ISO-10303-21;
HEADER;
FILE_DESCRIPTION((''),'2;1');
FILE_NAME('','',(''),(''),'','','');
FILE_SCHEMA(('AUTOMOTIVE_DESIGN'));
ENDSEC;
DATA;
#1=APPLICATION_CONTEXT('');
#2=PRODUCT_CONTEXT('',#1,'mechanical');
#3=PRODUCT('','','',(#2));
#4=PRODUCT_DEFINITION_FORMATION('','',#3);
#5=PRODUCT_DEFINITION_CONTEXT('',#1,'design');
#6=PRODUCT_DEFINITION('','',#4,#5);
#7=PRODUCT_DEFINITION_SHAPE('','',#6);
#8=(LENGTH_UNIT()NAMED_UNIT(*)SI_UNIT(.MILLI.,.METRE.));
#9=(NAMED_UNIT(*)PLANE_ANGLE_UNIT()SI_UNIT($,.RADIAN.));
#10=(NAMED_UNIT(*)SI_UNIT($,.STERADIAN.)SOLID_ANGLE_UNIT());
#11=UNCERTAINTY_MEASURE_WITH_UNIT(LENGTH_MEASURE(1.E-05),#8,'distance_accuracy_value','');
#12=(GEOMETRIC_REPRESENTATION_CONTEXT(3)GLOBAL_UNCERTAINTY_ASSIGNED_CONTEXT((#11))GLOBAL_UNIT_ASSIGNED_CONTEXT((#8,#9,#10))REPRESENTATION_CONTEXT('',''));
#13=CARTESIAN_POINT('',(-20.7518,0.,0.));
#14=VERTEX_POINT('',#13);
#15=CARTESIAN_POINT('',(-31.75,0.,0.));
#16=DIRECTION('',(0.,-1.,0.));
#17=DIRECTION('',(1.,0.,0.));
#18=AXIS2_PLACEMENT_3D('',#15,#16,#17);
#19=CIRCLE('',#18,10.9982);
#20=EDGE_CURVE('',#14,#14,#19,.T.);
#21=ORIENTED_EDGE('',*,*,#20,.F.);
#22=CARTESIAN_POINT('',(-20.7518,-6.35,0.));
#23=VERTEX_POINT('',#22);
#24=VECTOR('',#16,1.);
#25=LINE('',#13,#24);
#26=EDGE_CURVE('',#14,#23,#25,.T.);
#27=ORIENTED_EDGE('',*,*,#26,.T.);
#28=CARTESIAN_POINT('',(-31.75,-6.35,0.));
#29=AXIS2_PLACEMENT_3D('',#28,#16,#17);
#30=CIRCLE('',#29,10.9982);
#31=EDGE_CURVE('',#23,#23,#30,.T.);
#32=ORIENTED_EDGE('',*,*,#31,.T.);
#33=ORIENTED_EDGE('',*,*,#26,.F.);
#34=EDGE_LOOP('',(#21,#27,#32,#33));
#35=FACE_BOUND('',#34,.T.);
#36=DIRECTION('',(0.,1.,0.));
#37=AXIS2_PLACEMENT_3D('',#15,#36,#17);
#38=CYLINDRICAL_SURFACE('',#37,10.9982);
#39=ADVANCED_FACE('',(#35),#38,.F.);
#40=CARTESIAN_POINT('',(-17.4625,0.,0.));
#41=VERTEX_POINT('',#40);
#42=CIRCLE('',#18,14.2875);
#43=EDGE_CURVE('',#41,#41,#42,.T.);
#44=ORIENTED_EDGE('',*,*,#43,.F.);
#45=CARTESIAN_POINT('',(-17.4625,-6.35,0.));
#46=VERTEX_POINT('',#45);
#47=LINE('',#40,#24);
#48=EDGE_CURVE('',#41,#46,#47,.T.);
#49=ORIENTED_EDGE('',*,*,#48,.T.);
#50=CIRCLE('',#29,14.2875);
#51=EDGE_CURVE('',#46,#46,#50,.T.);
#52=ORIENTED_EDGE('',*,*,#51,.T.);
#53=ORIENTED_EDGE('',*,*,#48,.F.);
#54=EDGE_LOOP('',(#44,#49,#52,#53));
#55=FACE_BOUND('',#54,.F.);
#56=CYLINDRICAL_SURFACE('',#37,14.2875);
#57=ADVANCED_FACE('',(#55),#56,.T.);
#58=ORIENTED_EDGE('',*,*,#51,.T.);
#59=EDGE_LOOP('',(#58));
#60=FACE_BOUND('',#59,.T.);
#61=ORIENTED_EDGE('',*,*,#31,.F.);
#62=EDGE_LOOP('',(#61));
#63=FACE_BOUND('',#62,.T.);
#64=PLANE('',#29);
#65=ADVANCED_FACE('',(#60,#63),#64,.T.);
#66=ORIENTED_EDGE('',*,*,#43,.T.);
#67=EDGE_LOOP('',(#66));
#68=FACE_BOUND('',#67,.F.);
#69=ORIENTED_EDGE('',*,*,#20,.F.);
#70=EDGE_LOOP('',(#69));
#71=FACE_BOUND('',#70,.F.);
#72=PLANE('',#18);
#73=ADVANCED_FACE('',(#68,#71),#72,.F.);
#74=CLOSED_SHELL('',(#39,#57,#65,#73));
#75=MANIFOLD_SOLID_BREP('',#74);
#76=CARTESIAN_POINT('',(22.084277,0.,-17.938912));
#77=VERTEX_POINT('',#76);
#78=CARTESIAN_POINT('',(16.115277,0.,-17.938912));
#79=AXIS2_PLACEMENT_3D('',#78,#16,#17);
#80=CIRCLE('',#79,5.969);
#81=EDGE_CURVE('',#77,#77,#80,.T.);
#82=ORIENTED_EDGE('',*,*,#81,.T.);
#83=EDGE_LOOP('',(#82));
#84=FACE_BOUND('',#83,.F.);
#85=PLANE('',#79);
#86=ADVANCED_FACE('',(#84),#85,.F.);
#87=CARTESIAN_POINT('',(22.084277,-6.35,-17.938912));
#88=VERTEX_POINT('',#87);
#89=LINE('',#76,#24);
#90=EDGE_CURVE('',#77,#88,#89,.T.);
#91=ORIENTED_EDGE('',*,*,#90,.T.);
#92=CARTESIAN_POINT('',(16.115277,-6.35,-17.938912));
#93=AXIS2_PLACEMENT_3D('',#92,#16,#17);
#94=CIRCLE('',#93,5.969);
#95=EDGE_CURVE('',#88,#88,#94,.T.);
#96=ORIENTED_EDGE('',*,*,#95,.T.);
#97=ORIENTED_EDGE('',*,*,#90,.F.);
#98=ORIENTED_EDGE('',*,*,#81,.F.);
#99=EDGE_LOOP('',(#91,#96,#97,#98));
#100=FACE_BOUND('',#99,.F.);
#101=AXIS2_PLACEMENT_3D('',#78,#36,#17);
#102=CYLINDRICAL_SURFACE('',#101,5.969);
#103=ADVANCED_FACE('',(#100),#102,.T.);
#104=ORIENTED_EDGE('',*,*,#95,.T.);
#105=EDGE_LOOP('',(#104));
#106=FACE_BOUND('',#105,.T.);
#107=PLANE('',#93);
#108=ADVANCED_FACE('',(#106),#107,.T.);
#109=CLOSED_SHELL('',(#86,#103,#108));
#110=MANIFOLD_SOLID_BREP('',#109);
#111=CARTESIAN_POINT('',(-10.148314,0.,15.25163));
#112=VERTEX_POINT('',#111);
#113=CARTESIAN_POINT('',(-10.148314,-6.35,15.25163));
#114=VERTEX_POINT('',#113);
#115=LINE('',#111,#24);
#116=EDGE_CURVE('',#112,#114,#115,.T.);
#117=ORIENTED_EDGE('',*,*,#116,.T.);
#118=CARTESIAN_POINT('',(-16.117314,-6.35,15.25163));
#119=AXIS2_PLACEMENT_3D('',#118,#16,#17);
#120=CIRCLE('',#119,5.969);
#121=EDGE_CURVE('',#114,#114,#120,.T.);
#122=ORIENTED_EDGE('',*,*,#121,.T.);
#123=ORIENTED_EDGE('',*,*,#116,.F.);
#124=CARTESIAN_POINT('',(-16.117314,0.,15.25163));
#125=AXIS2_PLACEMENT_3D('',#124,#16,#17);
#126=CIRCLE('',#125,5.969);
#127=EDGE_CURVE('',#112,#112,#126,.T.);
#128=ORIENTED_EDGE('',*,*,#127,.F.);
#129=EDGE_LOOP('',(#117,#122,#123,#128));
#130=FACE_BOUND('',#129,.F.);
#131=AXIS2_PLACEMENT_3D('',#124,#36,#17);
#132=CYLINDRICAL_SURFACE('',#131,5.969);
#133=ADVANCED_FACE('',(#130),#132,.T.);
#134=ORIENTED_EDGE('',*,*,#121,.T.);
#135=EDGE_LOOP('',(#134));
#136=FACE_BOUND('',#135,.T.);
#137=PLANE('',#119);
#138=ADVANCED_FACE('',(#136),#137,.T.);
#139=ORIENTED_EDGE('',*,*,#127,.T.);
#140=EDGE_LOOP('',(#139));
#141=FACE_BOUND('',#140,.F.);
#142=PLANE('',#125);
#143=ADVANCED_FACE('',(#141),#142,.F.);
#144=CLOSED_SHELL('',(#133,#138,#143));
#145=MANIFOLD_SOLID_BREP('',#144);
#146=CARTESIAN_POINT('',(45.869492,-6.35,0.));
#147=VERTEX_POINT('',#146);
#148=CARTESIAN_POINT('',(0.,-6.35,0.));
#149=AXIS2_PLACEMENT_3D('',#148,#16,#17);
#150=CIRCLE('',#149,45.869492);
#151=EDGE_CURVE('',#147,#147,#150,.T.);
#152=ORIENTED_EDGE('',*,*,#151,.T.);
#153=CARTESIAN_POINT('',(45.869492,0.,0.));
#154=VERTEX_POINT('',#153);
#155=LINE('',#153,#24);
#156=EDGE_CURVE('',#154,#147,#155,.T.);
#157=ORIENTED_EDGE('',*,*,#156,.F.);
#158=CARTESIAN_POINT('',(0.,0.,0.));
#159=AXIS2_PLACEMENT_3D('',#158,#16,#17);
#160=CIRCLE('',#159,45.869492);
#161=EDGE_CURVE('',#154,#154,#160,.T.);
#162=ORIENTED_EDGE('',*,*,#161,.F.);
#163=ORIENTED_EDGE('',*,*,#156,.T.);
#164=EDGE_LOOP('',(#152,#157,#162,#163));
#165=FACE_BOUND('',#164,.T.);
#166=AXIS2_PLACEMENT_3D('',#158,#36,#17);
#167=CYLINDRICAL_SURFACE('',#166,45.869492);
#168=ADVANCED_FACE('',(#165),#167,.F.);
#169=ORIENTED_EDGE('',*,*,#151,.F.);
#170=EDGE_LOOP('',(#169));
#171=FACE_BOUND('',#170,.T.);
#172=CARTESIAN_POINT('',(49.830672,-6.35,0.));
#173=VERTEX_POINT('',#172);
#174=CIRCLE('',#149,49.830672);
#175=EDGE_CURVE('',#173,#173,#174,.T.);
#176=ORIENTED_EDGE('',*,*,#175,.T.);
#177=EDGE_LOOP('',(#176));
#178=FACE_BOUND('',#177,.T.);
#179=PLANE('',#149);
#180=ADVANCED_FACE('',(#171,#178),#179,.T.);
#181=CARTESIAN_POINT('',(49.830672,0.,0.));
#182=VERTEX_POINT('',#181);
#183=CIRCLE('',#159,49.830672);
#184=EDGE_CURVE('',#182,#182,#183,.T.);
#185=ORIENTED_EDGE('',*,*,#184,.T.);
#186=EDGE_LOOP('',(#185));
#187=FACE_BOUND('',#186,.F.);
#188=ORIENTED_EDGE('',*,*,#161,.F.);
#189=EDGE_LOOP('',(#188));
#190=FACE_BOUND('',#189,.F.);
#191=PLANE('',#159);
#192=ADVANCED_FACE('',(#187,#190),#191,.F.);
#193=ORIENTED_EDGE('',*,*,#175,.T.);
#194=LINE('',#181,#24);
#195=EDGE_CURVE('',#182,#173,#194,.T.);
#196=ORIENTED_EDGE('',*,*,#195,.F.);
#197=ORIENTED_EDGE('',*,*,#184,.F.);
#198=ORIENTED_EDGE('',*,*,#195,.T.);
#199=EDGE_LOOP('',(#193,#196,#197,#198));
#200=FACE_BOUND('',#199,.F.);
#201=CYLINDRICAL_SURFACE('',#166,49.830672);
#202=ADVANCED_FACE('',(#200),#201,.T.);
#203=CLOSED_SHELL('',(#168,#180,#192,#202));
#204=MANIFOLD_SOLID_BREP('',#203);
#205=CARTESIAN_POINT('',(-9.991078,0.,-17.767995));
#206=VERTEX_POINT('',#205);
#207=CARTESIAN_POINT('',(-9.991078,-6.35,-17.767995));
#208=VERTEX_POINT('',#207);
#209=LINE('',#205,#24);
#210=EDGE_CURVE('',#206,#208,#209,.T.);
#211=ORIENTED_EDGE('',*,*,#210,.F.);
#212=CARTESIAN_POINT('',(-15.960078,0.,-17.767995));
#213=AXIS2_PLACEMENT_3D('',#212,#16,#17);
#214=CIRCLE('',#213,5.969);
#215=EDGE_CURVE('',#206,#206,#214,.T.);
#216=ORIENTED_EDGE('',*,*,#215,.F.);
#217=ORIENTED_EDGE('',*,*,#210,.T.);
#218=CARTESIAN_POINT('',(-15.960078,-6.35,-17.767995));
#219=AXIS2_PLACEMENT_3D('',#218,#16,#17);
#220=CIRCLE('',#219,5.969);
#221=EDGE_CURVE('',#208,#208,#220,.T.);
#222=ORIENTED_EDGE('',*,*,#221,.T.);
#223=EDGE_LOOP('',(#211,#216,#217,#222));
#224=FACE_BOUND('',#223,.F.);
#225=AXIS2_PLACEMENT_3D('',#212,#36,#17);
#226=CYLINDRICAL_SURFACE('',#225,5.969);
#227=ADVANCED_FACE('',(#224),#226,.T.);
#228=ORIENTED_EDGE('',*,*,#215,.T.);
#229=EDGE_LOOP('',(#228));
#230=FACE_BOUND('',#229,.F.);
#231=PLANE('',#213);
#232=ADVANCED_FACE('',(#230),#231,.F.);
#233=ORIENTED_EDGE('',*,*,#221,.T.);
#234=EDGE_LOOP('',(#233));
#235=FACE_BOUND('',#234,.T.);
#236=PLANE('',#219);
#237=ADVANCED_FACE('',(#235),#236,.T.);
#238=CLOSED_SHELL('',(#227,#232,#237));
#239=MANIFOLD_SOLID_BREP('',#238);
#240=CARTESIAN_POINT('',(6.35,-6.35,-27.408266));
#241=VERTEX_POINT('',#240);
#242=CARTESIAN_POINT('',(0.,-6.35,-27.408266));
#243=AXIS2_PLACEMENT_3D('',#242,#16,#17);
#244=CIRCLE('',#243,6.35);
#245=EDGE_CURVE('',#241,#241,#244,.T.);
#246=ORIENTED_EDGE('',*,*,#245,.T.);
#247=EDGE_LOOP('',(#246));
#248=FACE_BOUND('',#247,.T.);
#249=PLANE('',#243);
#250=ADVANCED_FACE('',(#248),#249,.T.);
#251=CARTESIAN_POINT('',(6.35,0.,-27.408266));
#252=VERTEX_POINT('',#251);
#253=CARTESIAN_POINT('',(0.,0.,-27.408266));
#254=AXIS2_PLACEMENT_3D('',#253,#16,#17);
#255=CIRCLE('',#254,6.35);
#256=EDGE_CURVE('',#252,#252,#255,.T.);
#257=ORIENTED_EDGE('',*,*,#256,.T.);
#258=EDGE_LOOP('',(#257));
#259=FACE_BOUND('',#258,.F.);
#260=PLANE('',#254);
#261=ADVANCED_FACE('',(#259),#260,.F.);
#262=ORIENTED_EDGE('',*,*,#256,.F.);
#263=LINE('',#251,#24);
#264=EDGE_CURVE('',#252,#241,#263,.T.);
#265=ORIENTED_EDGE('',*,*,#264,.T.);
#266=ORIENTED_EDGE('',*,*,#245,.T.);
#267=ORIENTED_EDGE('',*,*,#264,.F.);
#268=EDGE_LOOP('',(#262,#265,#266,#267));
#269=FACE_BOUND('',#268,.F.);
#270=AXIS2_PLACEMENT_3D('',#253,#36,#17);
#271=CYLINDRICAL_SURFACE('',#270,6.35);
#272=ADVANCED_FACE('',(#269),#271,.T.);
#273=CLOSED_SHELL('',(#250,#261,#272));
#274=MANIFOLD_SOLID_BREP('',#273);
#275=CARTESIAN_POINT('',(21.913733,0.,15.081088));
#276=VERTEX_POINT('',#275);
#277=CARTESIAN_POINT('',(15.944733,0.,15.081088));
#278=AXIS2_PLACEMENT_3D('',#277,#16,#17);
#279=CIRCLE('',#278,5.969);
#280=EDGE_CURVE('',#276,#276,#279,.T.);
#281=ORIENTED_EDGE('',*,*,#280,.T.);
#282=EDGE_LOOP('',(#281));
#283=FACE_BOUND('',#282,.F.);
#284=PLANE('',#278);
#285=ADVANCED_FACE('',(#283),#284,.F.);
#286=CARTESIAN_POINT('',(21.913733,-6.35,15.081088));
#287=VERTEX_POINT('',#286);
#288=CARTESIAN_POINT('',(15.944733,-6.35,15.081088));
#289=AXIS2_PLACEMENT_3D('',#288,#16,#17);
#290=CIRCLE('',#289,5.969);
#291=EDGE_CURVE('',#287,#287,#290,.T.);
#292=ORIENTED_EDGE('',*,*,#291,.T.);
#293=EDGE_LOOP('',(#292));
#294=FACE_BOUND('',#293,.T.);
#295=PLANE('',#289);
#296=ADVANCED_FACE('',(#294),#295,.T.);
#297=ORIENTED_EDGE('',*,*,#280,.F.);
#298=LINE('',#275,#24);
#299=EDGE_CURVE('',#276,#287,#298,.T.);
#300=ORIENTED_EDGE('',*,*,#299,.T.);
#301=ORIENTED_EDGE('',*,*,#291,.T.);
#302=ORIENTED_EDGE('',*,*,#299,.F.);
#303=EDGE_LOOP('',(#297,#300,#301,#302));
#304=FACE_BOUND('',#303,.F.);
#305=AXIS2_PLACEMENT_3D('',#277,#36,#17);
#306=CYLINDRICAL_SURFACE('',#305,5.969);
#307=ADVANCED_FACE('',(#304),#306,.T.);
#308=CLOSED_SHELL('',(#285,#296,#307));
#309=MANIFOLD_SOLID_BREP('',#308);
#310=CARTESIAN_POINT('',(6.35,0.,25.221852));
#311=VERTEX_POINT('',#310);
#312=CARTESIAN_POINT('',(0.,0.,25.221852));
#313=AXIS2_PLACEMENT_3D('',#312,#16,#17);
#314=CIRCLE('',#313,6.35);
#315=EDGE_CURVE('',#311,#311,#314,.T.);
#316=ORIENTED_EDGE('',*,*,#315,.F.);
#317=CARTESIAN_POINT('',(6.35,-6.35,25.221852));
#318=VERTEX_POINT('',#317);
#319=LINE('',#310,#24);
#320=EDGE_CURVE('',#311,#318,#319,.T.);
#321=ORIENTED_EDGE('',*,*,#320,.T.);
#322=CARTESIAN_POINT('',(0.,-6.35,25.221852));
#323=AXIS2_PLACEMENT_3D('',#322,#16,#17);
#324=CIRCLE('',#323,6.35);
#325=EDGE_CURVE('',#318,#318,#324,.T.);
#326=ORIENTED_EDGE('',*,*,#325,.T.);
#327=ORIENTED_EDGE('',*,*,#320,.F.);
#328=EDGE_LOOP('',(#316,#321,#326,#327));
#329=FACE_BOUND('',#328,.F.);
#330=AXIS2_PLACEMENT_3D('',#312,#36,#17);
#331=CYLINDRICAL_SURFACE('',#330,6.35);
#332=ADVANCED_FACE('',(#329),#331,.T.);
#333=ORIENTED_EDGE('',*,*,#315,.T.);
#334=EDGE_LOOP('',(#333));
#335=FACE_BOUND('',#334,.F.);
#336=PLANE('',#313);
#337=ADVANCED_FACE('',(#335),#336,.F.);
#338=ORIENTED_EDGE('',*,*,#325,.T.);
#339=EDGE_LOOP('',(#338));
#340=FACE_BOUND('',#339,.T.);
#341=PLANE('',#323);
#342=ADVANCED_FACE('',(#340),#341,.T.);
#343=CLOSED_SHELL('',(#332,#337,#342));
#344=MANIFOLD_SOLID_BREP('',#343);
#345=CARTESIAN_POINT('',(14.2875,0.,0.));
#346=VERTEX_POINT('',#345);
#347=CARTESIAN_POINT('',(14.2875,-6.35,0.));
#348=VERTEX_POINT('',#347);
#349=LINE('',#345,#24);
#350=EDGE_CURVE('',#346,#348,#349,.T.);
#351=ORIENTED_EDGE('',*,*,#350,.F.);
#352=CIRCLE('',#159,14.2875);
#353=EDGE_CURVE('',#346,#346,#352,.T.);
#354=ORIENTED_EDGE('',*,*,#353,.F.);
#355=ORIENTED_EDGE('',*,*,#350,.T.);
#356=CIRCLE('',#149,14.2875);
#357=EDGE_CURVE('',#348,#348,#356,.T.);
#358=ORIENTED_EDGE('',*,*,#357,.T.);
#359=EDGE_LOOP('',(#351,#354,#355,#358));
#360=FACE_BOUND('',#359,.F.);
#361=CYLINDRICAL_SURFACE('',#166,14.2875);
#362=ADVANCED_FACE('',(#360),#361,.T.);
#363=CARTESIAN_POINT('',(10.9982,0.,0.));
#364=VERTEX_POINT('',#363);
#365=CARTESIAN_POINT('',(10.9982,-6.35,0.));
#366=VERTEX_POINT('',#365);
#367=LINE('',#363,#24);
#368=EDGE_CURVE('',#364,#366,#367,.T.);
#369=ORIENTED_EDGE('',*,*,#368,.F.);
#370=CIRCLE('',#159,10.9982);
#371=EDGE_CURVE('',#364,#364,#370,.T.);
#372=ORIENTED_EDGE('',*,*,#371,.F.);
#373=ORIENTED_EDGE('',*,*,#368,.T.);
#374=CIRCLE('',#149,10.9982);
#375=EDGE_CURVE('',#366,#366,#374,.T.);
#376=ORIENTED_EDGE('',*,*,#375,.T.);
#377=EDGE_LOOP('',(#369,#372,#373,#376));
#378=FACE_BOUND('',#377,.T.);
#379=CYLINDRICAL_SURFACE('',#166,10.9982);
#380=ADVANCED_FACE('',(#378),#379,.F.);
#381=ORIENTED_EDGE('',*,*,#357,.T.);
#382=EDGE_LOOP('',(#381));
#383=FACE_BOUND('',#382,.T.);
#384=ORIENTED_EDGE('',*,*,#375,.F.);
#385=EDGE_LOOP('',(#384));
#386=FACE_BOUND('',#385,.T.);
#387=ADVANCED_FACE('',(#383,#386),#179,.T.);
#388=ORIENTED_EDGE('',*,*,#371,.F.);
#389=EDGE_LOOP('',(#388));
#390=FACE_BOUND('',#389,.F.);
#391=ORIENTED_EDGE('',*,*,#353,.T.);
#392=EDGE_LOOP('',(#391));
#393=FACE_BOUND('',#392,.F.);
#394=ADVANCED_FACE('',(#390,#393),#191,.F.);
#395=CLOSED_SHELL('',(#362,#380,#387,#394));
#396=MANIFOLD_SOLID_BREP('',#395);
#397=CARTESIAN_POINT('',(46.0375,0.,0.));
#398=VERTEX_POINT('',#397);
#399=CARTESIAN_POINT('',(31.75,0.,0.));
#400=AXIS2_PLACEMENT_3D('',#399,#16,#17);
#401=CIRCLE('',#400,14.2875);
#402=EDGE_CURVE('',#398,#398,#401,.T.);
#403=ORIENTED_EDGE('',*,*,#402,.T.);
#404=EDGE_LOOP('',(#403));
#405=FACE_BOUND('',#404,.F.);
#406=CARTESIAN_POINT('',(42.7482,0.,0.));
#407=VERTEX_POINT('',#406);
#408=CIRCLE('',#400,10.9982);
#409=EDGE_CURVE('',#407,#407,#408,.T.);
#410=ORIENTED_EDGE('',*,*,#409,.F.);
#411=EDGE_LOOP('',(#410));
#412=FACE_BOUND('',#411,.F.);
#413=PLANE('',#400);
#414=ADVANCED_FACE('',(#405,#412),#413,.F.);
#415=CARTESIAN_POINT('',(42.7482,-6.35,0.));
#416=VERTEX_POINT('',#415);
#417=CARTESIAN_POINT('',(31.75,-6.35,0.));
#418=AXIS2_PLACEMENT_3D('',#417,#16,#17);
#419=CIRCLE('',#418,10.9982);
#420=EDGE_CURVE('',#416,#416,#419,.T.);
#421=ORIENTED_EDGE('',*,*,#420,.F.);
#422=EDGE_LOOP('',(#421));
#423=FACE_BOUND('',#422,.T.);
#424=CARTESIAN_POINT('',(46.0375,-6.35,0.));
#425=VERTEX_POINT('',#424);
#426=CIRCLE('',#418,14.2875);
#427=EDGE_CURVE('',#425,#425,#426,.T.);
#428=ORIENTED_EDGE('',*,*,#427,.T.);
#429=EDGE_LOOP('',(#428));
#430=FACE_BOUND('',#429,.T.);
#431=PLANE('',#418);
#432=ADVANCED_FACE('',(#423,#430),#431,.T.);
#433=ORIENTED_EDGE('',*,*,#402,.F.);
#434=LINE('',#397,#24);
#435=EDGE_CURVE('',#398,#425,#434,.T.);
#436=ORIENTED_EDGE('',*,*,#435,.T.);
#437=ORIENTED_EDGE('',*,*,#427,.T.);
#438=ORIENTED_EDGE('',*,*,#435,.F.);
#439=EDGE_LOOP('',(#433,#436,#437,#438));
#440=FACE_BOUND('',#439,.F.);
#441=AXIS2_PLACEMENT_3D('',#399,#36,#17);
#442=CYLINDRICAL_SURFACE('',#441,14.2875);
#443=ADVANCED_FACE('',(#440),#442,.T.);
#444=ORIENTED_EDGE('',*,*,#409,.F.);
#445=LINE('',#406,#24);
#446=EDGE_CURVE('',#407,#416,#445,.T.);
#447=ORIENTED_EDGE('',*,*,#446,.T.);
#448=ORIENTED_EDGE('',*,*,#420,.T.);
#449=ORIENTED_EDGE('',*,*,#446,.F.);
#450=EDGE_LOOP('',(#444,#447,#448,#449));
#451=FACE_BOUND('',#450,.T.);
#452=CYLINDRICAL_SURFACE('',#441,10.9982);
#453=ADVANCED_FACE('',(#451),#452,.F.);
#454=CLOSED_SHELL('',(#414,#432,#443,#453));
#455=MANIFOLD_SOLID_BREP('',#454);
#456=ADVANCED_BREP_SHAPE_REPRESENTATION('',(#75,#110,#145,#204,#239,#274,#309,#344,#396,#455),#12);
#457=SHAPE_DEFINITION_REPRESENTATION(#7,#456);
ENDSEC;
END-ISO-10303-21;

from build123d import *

# Parameters (mm, degrees)
F0_R     = 14.2875
F0_R_2   = 10.9982
F3_DEPTH = 6.35
F1_R     = 49.8306720945
F1_R_2   = 45.8694924296
F2_R     = 5.969
F6_DEPTH = 6.35
F4_R     = 6.35


with BuildPart() as f3:
    # F0 (on Front) → F3 (new body)
    with BuildSketch(Plane.XZ):
        Circle(F0_R)
        Circle(F0_R_2, mode=Mode.SUBTRACT)
    extrude(amount=F3_DEPTH)


with BuildPart() as f3b:
    # F0 (on Front) → F3, piece 2 (new body)
    with BuildSketch(Plane.XZ):
        with Locations((31.75, 0)):
            Circle(F0_R)
        with Locations((31.75, 0)):
            Circle(F0_R_2, mode=Mode.SUBTRACT)
    extrude(amount=F3_DEPTH)


with BuildPart() as f3c:
    # F0 (on Front) → F3, piece 3 (new body)
    with BuildSketch(Plane.XZ):
        with Locations((-31.75, 0)):
            Circle(F0_R)
        with Locations((-31.75, 0)):
            Circle(F0_R_2, mode=Mode.SUBTRACT)
    extrude(amount=F3_DEPTH)


with BuildPart() as f3d:
    # F1 (on Front) → F3, piece 4 (new body)
    with BuildSketch(Plane.XZ):
        Circle(F1_R)
        Circle(F1_R_2, mode=Mode.SUBTRACT)
    extrude(amount=F3_DEPTH)


with BuildPart() as f6:
    # F2 (on face) → F6 (new body)
    with BuildSketch(Plane.XZ):
        with Locations((15.9447327793, 15.0810879356)):
            Circle(F2_R)
    extrude(amount=F6_DEPTH)


with BuildPart() as f6b:
    # F2 (on face) → F6, piece 2 (new body)
    with BuildSketch(Plane.XZ):
        with Locations((-16.1173143299, 15.2516302353)):
            Circle(F2_R)
    extrude(amount=F6_DEPTH)


with BuildPart() as f6c:
    # F2 (on face) → F6, piece 3 (new body)
    with BuildSketch(Plane.XZ):
        with Locations((-15.9600784864, -17.7679953969)):
            Circle(F2_R)
    extrude(amount=F6_DEPTH)


with BuildPart() as f6d:
    # F2 (on face) → F6, piece 4 (new body)
    with BuildSketch(Plane.XZ):
        with Locations((16.1152769371, -17.9389120644)):
            Circle(F2_R)
    extrude(amount=F6_DEPTH)


with BuildPart() as f6e:
    # F4 (on face) → F6, piece 5 (new body)
    with BuildSketch(Plane.XZ):
        with Locations((0, 25.2218518232)):
            Circle(F4_R)
    extrude(amount=F6_DEPTH)


with BuildPart() as f6f:
    # F4 (on face) → F6, piece 6 (new body)
    with BuildSketch(Plane.XZ):
        with Locations((0, -27.4082663913)):
            Circle(F4_R)
    extrude(amount=F6_DEPTH)


solid = Compound([f3.part, f3b.part, f3c.part, f3d.part, f6.part, f6b.part, f6c.part, f6d.part, f6e.part, f6f.part])
